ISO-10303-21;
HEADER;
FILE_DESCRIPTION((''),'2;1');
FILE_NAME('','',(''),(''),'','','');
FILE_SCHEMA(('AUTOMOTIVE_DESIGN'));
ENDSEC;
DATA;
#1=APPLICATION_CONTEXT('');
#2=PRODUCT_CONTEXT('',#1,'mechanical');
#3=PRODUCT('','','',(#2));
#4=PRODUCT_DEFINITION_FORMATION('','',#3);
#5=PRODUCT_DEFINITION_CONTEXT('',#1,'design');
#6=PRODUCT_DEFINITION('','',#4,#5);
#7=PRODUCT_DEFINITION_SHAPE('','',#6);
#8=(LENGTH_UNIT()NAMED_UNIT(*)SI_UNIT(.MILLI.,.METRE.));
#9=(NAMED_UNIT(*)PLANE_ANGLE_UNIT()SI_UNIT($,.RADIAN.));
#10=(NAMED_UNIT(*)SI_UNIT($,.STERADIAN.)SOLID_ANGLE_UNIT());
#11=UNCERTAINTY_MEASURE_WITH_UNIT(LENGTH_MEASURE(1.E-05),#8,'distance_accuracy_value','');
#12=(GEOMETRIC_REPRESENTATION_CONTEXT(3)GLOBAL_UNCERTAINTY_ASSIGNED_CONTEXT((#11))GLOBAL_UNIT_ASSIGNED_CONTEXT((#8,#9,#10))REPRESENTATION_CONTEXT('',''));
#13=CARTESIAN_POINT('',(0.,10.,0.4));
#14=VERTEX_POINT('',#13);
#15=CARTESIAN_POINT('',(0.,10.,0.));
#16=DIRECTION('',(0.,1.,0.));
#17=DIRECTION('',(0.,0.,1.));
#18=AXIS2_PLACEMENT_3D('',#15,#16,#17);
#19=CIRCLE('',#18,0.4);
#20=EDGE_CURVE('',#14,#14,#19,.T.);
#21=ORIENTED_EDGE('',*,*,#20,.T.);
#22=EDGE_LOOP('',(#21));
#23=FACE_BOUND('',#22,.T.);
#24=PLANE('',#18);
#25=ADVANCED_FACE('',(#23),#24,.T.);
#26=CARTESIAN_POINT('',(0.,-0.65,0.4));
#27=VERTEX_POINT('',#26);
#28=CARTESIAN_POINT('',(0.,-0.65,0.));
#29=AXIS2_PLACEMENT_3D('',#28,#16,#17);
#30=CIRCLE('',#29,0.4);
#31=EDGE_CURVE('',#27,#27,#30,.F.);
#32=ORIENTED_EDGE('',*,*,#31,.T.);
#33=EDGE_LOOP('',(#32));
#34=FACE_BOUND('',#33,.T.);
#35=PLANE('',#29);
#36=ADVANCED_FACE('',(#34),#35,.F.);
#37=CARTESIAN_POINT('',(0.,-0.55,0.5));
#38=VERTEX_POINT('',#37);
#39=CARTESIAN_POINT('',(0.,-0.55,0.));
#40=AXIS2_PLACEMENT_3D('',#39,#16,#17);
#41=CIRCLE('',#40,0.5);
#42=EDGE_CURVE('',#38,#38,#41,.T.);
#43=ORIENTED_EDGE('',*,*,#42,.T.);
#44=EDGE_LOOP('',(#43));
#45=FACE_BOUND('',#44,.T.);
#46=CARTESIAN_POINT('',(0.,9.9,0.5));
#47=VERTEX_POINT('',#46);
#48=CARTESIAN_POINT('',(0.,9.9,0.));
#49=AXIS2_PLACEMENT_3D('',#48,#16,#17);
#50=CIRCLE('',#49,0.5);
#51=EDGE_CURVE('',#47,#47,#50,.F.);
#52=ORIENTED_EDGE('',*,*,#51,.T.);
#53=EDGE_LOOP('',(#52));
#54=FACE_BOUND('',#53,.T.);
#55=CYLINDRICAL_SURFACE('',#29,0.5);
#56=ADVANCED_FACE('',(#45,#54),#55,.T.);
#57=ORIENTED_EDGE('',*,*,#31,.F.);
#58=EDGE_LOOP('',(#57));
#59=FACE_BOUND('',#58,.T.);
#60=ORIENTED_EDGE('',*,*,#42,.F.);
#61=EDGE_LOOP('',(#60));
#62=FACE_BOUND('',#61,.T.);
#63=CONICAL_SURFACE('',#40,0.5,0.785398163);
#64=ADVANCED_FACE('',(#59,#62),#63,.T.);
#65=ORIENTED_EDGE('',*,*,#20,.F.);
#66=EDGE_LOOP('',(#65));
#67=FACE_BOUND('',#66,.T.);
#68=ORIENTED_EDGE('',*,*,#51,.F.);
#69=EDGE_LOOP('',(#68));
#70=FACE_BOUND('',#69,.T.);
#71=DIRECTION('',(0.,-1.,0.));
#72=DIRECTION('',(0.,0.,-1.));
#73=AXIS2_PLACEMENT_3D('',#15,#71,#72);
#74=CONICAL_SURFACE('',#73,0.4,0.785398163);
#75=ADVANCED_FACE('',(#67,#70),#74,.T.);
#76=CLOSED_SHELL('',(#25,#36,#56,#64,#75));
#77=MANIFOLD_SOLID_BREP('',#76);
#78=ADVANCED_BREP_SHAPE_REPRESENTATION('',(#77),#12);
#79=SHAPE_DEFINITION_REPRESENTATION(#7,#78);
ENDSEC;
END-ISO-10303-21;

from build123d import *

# Parameters (mm, degrees)
BOSS_EXTRUDE1_DEPTH      = 10
BOSS_EXTRUDE1_DEPTH_BACK = 0.65
SKETCH1_R                = 0.5
CHAMFER1_SIZE            = 0.1


with BuildPart() as part:
    # Sketch1 → Boss-Extrude1 (new, two sides: drawn at the far end of the back side and taken through both)
    with BuildSketch(Plane(origin=(0, 0, 0), x_dir=(1, 0, 0), z_dir=(0, 1, 0)).offset(-BOSS_EXTRUDE1_DEPTH_BACK)):
        with Locations(Location((0, 0, 0), (0, 0, 270))):
            Circle(SKETCH1_R)
    extrude(amount=BOSS_EXTRUDE1_DEPTH + BOSS_EXTRUDE1_DEPTH_BACK)

    # Chamfer1
    chamfer1_edges = [part.edges().sort_by_distance(p)[0] for p in [
        (0, -0.65, -0.5),
        (0, 10, -0.5),
    ]]
    chamfer(chamfer1_edges, length=CHAMFER1_SIZE)


solid = part.part
